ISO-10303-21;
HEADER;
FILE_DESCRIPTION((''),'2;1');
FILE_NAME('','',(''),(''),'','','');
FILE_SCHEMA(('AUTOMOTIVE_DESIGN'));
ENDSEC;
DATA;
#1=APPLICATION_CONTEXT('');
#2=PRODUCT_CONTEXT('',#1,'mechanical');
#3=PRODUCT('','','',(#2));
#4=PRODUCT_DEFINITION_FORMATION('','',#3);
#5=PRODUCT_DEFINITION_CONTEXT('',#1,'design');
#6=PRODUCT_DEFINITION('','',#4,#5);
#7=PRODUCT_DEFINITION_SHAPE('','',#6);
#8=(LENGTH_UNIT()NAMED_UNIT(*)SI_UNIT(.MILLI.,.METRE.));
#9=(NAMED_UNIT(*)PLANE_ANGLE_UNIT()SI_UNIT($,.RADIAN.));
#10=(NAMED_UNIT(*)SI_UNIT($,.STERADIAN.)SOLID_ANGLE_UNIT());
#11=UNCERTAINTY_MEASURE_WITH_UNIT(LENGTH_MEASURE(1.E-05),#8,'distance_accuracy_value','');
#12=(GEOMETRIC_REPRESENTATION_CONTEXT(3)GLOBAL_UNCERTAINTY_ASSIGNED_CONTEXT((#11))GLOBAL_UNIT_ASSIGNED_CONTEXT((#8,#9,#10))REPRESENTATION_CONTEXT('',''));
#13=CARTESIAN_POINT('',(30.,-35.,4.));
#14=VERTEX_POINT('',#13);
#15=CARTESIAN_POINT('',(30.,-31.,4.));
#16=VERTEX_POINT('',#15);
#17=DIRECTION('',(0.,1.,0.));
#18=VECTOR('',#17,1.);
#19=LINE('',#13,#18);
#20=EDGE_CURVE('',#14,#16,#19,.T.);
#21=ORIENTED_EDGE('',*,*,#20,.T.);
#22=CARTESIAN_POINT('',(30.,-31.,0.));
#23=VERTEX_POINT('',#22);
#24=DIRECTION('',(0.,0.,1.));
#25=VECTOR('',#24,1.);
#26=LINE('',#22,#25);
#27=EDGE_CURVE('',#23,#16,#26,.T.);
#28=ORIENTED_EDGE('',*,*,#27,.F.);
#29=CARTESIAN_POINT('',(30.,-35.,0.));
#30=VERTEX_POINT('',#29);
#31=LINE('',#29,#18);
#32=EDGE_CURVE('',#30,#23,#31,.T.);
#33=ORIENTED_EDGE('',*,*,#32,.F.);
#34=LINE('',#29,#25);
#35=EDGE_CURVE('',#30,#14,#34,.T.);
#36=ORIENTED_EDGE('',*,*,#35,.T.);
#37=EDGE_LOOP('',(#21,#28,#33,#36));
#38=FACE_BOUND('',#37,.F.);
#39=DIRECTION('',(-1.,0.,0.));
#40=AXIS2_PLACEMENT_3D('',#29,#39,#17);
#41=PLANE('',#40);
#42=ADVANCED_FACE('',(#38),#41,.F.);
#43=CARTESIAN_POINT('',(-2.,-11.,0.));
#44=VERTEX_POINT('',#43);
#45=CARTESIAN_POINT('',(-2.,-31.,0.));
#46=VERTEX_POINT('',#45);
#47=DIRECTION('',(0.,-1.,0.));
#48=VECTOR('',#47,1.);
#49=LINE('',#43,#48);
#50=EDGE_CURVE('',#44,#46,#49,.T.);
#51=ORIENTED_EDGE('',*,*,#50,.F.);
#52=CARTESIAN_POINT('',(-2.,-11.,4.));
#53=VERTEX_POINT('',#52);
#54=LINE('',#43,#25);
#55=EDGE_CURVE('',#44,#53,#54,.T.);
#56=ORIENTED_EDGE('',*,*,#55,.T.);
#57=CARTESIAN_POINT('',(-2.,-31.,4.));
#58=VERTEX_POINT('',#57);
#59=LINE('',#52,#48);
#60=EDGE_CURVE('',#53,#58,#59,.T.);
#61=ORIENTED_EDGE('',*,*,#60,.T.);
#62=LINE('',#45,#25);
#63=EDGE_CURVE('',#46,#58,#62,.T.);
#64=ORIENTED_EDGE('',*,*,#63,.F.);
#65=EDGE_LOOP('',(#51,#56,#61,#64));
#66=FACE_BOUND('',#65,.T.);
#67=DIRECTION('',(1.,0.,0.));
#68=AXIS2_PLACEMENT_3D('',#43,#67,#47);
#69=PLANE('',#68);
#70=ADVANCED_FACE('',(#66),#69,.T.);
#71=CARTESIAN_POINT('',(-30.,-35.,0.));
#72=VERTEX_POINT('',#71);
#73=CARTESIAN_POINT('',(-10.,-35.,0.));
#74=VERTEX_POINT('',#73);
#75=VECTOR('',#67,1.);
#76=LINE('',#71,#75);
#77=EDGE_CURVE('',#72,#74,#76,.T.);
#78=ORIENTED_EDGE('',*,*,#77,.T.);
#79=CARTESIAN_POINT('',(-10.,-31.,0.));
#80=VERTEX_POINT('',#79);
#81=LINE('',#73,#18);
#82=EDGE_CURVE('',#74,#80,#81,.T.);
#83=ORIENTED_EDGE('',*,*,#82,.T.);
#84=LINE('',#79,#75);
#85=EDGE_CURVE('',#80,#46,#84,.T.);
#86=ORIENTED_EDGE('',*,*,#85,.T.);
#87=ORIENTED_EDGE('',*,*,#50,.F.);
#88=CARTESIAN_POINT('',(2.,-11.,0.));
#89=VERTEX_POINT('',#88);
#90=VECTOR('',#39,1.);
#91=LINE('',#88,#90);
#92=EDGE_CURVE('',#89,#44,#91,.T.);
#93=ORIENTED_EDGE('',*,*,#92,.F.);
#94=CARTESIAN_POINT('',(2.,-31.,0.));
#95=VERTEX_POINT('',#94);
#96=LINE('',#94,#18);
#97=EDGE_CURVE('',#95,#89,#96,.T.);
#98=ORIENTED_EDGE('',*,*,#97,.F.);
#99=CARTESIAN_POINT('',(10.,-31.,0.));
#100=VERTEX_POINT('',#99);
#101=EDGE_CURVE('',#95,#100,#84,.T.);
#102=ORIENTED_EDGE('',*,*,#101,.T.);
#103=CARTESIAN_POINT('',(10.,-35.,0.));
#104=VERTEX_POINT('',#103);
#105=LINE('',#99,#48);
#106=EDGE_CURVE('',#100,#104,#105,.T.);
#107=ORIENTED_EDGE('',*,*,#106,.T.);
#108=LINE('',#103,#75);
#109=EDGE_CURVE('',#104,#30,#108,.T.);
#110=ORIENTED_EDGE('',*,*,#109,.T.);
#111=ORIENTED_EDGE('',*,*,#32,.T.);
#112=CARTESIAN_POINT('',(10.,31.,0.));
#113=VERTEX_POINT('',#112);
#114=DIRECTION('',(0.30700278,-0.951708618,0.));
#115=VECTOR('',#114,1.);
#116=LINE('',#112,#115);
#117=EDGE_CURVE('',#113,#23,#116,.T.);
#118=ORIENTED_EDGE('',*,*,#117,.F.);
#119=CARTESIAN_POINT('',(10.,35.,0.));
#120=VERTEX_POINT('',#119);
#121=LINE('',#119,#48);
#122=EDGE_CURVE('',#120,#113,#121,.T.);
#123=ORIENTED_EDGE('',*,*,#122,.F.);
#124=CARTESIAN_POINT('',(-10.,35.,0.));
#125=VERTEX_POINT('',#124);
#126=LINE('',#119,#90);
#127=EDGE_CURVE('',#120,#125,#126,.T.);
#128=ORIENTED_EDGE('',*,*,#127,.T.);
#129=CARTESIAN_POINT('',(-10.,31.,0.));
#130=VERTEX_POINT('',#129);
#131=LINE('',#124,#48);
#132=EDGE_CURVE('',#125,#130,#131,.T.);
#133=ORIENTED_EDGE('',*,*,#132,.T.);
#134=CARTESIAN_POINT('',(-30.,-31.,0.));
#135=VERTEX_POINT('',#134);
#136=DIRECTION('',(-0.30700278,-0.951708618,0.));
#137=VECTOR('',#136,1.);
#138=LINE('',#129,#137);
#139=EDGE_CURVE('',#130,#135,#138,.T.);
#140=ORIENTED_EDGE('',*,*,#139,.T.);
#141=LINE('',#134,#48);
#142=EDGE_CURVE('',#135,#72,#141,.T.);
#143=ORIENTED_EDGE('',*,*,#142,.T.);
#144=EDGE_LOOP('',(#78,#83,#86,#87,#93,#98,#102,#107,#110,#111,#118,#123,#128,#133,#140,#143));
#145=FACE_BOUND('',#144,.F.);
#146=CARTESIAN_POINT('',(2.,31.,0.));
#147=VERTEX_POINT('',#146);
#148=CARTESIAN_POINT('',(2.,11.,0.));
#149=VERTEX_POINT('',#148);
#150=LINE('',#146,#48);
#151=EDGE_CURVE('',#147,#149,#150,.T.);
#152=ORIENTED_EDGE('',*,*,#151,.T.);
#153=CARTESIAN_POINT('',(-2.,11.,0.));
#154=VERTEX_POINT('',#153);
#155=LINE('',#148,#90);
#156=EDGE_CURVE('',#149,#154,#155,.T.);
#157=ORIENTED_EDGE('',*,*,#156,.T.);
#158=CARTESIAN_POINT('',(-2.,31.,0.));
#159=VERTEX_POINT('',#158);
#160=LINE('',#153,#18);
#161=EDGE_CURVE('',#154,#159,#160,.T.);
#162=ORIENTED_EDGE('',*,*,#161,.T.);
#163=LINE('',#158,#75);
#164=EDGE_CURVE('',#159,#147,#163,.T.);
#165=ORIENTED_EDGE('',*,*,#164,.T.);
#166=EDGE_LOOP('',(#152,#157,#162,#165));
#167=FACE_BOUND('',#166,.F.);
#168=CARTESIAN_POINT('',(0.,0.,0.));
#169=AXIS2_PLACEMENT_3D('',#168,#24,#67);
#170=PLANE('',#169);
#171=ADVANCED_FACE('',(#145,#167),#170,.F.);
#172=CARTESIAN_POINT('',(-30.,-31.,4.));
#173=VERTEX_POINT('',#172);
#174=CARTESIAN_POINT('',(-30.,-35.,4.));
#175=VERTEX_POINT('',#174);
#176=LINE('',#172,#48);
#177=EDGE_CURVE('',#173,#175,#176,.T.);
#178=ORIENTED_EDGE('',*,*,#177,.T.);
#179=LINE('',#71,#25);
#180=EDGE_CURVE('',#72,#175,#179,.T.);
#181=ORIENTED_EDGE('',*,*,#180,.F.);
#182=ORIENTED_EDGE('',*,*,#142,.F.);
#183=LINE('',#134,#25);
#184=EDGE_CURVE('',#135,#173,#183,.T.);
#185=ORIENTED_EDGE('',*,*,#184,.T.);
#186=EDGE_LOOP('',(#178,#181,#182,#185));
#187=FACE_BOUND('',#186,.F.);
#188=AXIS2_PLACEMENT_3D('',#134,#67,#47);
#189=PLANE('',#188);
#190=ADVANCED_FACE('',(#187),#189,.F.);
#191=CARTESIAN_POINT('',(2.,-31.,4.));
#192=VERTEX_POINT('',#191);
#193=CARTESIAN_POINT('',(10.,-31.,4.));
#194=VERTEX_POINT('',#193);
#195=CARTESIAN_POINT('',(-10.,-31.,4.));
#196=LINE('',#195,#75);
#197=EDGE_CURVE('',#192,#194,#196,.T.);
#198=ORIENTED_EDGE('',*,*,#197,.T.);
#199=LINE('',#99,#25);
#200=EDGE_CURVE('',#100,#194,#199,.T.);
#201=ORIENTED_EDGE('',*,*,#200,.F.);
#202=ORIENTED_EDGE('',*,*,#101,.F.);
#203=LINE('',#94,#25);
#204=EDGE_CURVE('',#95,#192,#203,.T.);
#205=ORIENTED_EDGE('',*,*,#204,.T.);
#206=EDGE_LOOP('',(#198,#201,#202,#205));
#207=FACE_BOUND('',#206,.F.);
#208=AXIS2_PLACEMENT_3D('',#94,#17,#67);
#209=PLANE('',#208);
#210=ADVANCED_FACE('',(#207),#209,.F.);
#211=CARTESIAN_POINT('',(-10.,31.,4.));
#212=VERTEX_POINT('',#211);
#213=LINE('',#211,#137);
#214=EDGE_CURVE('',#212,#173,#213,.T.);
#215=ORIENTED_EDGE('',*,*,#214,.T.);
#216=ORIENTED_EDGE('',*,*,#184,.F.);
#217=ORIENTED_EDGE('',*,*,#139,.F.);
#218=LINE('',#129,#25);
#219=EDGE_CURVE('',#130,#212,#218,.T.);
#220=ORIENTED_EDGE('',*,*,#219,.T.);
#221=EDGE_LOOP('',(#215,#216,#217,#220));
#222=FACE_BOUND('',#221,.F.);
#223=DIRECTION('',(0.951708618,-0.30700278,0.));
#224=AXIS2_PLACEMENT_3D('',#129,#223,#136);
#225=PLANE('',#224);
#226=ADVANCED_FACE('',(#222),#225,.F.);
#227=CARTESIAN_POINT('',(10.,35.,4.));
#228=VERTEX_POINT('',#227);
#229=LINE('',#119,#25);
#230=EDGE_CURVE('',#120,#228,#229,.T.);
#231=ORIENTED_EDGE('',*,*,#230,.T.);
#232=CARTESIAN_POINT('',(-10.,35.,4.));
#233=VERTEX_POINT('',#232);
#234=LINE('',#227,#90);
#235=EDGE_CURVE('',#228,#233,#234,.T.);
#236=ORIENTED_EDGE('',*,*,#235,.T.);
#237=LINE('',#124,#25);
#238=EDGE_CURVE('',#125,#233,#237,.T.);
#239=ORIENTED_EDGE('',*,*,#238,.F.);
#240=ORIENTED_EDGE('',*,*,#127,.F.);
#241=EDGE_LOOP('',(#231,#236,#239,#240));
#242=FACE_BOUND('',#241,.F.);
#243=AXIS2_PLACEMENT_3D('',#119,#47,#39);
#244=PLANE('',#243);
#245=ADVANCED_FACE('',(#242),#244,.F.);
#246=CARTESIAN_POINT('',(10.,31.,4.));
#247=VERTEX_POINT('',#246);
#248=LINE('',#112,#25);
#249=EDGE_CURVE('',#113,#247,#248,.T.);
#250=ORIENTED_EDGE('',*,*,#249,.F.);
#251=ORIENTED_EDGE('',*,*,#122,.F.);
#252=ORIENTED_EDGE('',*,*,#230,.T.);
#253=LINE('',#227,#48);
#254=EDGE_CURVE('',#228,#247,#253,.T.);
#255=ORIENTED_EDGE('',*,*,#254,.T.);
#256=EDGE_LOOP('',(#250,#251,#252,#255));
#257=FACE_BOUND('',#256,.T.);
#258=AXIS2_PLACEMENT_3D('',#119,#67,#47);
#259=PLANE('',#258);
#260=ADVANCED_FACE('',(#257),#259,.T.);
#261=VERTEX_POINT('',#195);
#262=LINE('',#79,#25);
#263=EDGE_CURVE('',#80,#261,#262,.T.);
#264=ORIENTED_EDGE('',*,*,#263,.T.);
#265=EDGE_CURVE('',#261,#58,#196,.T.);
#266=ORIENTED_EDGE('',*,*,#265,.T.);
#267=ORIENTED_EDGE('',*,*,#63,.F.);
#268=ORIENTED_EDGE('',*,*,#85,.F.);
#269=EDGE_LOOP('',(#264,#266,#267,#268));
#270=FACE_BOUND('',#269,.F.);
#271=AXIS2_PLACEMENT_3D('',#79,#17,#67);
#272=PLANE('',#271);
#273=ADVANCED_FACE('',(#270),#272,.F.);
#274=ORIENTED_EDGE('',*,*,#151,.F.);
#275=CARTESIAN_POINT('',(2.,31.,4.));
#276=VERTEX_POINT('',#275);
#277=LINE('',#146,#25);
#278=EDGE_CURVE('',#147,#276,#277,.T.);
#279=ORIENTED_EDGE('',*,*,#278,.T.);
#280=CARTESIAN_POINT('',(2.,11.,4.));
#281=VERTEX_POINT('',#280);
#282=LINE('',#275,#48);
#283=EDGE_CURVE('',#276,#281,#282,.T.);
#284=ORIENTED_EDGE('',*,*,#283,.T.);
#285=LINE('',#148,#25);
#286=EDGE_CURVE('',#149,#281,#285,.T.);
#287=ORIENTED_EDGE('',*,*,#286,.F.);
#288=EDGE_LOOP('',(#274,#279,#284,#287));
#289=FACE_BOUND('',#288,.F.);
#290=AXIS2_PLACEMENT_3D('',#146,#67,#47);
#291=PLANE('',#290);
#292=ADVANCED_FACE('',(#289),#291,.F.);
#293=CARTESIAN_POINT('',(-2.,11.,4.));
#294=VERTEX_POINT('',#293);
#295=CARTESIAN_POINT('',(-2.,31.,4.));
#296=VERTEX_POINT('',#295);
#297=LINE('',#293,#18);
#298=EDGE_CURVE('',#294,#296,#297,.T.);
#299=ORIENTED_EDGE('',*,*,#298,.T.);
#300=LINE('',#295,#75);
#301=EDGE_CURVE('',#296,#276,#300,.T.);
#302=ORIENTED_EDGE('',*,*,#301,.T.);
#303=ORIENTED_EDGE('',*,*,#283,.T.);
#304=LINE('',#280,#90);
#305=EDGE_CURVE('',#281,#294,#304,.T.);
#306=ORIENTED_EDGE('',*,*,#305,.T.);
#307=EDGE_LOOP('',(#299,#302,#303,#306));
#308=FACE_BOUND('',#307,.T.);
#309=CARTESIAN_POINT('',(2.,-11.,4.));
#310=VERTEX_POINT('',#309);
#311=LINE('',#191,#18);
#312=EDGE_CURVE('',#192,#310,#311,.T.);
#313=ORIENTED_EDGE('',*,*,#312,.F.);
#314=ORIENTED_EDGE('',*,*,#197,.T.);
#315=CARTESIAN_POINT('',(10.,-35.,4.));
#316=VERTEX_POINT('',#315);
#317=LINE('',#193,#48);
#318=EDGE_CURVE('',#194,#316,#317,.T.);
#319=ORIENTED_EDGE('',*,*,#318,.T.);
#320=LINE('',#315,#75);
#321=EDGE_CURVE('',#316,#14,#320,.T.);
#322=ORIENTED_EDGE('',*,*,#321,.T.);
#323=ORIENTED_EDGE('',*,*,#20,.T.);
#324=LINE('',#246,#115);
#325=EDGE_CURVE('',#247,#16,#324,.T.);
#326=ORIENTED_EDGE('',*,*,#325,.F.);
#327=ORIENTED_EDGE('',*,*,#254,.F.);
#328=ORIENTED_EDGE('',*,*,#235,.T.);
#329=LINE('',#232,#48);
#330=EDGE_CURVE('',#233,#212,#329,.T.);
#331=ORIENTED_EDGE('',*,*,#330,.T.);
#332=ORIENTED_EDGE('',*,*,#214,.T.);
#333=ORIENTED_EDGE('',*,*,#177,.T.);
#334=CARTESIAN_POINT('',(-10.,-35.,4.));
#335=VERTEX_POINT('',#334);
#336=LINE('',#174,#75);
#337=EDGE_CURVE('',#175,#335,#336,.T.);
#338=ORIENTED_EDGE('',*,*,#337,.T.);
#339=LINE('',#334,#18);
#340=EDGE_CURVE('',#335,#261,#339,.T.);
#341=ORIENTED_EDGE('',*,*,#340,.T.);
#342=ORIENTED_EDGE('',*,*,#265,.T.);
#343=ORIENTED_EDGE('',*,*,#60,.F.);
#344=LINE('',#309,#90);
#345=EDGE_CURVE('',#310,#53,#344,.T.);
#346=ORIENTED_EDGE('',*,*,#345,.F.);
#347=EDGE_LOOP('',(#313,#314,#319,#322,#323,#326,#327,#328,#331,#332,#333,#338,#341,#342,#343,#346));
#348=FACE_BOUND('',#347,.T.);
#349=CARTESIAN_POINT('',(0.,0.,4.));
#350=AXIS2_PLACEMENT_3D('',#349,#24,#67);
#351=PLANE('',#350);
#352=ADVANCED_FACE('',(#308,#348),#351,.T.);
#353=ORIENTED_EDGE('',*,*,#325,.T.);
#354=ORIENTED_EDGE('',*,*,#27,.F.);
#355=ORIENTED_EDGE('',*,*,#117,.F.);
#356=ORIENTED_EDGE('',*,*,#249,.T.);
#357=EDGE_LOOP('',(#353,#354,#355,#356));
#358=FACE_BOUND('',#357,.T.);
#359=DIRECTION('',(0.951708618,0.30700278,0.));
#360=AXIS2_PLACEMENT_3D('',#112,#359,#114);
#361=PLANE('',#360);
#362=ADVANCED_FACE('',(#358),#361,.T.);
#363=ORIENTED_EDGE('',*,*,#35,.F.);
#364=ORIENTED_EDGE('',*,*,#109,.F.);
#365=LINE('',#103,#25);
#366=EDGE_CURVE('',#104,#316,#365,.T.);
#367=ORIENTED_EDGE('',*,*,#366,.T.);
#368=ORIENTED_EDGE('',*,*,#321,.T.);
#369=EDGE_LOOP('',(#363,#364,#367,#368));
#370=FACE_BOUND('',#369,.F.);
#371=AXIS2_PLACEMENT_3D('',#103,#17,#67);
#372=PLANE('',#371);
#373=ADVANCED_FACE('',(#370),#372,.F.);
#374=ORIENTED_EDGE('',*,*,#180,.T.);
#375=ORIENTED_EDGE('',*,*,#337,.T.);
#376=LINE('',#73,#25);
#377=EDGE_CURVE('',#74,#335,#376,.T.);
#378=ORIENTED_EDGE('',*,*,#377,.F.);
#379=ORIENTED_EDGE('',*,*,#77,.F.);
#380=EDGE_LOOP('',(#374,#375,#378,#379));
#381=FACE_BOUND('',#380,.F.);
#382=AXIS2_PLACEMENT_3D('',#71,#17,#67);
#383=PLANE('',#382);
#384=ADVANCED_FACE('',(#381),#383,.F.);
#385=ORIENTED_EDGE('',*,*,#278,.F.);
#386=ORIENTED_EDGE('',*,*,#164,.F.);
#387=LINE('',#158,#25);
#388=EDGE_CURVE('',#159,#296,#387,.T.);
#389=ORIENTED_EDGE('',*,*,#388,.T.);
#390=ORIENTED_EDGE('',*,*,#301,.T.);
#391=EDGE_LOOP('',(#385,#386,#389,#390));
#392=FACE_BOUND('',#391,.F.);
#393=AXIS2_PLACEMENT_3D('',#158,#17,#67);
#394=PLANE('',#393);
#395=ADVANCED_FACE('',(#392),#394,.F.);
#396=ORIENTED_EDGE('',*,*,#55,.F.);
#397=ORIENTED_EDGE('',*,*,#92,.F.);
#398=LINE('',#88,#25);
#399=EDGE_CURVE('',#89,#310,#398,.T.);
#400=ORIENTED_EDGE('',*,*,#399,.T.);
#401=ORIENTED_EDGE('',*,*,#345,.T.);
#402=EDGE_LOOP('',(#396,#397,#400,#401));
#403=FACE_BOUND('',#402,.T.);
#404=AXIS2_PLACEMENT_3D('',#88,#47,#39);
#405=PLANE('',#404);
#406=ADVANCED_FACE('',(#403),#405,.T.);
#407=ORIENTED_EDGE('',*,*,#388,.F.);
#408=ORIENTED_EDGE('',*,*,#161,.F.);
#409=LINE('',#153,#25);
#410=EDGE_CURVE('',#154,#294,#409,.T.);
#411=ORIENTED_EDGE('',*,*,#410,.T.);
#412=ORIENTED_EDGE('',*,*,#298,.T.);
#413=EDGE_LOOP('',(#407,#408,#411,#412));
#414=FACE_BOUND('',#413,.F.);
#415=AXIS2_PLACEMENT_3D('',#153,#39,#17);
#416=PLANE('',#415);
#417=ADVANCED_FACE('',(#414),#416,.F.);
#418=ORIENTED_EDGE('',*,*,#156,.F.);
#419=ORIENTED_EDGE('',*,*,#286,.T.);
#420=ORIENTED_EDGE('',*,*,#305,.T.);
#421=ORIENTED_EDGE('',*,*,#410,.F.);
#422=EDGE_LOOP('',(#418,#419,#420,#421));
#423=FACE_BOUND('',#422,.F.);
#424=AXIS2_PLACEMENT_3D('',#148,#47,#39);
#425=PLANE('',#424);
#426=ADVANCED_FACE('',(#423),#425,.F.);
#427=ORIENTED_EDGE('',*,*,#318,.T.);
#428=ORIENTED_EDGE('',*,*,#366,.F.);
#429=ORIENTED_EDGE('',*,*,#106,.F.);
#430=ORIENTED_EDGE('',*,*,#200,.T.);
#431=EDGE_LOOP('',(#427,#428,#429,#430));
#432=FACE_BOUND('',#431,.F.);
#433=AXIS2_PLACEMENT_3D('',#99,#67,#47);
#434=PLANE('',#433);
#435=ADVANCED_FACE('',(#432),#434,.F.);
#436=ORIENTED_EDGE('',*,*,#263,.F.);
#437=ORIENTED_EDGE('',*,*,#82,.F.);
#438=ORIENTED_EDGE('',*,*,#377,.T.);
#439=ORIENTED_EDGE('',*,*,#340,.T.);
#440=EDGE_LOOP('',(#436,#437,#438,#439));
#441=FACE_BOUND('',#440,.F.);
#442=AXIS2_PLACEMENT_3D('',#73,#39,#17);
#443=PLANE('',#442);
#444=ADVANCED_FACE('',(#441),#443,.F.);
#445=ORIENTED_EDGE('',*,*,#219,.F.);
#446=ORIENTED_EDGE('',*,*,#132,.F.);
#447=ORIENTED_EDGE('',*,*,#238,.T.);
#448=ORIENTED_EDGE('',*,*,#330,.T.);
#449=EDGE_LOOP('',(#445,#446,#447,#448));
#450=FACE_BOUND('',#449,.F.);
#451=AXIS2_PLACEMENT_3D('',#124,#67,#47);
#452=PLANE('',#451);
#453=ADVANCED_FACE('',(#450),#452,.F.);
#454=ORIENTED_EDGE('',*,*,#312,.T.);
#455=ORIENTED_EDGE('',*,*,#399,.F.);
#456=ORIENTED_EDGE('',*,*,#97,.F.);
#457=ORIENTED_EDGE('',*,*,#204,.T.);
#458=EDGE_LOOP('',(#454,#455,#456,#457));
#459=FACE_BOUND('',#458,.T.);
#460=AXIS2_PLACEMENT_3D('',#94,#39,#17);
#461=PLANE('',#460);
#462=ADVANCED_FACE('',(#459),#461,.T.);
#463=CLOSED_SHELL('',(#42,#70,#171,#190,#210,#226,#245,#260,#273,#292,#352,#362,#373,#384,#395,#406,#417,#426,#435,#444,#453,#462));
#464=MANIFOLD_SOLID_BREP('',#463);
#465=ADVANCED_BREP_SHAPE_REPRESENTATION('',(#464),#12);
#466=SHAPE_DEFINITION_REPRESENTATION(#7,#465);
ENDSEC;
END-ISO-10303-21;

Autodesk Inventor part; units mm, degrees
ref_plane "YZ Plane" through (0, 0, 0) normal (1, 0, 0) x (0, 1, 0)
ref_plane "XZ Plane" through (0, 0, 0) normal (0, 1, 0) x (-1, 0, 0)
ref_plane "XY Plane" through (0, 0, 0) normal (0, 0, 1) x (1, 0, 0)
sketch "Sketch1" plane through (0, 0, 0) normal (0, 0, 1) x (1, 0, 0)
  line L0 (-30, -35) -> (-10, -35)
  line L1 (-10, -35) -> (-10, -31)
  line L2 (-10, -31) -> (10, -31)
  line L3 (10, -31) -> (10, -35)
  line L4 (10, -35) -> (30, -35)
  line L5 (30, -35) -> (30, -31)
  line L6 (10, 35) -> (-10, 35)
  line L7 (-30, -31) -> (-30, -35)
  line L8 (-10, 35) -> (-10, 31)
  line L9 (-10, 31) -> (-30, -31)
  line L10 (10, 35) -> (10, 31)
  line L11 (10, 31) -> (30, -31)
  line L12 (-2, 31) -> (2, 31)
  line L13 (2, 31) -> (2, 11)
  line L14 (2, 11) -> (-2, 11)
  line L15 (-2, 11) -> (-2, 31)
  line L16 (2, -11) -> (-2, -11)
  line L17 (-2, -11) -> (-2, -31)
  line L18 (-2, -31) -> (2, -31)
  line L19 (2, -31) -> (2, -11)
  line L20 (0, 31) -> (0, -31) construction
  point P0 (0, 0)
  point P1 (0, 0)
  point P2 (-2, -31)
  point P3 (2, -31)
  dimension "d0" = 4
  dimension "d1" = 20
  dimension "d2" = 20
  dimension "d3" = 20
  dimension "d4" = 20
  dimension "d5" = 4
  dimension "d6" = 4
  dimension "d7" = 62
  dimension "d8" = 20
  dimension "d9" = 20
  dimension "d10" = 4
extrude "Extrusion1" add sketch "Sketch1" along normal blind 4 contours L7 L9 L8 L6 L10 L11 L5 L4 L3 L2 L19 L16 L17 L1 L0
properties part number "LightGate_Plate" material "MDF Medium Density Fiberboard"
